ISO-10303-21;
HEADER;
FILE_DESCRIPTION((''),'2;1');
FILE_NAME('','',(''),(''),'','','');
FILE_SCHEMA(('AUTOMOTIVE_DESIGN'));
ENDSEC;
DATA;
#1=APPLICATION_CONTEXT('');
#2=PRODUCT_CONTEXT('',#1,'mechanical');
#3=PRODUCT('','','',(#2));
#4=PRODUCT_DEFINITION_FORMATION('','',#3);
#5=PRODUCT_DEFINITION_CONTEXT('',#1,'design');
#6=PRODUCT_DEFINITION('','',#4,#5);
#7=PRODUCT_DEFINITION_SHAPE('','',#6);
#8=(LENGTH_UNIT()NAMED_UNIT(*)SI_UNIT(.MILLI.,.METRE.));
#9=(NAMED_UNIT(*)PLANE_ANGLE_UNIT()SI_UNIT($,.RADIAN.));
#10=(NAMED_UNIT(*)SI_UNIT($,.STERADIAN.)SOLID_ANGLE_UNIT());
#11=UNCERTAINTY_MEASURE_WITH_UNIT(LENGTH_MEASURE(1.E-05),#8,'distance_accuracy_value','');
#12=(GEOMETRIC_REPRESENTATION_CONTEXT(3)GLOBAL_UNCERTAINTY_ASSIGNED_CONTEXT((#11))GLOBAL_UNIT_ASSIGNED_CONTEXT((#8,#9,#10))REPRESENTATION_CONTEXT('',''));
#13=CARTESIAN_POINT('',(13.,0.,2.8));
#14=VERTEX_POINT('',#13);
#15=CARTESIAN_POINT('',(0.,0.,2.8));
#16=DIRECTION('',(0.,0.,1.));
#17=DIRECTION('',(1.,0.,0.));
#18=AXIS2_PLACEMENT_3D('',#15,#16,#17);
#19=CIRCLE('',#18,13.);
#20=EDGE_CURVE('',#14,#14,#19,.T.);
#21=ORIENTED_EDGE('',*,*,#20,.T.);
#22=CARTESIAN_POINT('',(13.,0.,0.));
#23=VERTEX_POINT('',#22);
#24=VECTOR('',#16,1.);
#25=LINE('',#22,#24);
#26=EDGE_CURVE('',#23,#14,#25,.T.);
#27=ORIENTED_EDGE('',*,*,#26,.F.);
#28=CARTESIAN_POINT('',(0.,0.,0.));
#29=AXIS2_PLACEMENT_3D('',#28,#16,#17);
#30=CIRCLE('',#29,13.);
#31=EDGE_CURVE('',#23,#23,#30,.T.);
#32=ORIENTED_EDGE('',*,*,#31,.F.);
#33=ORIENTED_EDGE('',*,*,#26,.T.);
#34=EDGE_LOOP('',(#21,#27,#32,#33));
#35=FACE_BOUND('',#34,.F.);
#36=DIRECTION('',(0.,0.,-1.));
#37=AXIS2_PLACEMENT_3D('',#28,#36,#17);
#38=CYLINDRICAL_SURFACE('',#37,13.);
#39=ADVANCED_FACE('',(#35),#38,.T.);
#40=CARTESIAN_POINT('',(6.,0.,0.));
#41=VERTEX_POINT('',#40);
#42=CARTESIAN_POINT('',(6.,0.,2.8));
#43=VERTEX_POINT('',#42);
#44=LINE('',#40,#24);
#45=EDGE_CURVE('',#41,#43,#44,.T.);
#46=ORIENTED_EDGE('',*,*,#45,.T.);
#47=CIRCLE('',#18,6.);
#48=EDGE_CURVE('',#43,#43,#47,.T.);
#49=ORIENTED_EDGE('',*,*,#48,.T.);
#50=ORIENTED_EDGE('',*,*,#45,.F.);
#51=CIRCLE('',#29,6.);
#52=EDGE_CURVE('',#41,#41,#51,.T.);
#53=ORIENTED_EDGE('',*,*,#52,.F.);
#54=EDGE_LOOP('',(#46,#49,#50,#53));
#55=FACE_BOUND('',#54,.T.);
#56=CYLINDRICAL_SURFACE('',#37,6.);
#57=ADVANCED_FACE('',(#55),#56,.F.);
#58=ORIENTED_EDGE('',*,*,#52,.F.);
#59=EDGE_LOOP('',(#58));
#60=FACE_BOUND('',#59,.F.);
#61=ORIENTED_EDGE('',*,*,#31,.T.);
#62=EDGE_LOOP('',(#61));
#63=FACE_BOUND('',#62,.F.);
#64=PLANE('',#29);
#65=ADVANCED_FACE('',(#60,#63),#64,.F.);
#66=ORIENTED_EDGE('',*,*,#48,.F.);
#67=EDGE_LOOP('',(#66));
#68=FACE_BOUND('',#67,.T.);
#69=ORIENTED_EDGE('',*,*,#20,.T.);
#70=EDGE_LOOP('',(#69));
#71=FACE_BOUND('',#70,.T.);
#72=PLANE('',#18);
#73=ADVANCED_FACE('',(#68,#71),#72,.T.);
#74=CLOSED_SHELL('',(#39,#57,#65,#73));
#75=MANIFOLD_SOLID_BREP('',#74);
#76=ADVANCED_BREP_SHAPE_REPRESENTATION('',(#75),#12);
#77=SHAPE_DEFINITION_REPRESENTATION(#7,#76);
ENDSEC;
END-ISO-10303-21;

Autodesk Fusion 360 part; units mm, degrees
sketch "Sketch1" plane through (0, 0, 0) normal (0, 0, 1) x (1, 0, 0)
  circle A0 centre (0, 0) radius 6
  circle A1 centre (0, 0) radius 13
  dimension "d1" = 12
  dimension "d2" = 26
extrude "Extrude1" add sketch "Sketch1" along normal blind 2.8
